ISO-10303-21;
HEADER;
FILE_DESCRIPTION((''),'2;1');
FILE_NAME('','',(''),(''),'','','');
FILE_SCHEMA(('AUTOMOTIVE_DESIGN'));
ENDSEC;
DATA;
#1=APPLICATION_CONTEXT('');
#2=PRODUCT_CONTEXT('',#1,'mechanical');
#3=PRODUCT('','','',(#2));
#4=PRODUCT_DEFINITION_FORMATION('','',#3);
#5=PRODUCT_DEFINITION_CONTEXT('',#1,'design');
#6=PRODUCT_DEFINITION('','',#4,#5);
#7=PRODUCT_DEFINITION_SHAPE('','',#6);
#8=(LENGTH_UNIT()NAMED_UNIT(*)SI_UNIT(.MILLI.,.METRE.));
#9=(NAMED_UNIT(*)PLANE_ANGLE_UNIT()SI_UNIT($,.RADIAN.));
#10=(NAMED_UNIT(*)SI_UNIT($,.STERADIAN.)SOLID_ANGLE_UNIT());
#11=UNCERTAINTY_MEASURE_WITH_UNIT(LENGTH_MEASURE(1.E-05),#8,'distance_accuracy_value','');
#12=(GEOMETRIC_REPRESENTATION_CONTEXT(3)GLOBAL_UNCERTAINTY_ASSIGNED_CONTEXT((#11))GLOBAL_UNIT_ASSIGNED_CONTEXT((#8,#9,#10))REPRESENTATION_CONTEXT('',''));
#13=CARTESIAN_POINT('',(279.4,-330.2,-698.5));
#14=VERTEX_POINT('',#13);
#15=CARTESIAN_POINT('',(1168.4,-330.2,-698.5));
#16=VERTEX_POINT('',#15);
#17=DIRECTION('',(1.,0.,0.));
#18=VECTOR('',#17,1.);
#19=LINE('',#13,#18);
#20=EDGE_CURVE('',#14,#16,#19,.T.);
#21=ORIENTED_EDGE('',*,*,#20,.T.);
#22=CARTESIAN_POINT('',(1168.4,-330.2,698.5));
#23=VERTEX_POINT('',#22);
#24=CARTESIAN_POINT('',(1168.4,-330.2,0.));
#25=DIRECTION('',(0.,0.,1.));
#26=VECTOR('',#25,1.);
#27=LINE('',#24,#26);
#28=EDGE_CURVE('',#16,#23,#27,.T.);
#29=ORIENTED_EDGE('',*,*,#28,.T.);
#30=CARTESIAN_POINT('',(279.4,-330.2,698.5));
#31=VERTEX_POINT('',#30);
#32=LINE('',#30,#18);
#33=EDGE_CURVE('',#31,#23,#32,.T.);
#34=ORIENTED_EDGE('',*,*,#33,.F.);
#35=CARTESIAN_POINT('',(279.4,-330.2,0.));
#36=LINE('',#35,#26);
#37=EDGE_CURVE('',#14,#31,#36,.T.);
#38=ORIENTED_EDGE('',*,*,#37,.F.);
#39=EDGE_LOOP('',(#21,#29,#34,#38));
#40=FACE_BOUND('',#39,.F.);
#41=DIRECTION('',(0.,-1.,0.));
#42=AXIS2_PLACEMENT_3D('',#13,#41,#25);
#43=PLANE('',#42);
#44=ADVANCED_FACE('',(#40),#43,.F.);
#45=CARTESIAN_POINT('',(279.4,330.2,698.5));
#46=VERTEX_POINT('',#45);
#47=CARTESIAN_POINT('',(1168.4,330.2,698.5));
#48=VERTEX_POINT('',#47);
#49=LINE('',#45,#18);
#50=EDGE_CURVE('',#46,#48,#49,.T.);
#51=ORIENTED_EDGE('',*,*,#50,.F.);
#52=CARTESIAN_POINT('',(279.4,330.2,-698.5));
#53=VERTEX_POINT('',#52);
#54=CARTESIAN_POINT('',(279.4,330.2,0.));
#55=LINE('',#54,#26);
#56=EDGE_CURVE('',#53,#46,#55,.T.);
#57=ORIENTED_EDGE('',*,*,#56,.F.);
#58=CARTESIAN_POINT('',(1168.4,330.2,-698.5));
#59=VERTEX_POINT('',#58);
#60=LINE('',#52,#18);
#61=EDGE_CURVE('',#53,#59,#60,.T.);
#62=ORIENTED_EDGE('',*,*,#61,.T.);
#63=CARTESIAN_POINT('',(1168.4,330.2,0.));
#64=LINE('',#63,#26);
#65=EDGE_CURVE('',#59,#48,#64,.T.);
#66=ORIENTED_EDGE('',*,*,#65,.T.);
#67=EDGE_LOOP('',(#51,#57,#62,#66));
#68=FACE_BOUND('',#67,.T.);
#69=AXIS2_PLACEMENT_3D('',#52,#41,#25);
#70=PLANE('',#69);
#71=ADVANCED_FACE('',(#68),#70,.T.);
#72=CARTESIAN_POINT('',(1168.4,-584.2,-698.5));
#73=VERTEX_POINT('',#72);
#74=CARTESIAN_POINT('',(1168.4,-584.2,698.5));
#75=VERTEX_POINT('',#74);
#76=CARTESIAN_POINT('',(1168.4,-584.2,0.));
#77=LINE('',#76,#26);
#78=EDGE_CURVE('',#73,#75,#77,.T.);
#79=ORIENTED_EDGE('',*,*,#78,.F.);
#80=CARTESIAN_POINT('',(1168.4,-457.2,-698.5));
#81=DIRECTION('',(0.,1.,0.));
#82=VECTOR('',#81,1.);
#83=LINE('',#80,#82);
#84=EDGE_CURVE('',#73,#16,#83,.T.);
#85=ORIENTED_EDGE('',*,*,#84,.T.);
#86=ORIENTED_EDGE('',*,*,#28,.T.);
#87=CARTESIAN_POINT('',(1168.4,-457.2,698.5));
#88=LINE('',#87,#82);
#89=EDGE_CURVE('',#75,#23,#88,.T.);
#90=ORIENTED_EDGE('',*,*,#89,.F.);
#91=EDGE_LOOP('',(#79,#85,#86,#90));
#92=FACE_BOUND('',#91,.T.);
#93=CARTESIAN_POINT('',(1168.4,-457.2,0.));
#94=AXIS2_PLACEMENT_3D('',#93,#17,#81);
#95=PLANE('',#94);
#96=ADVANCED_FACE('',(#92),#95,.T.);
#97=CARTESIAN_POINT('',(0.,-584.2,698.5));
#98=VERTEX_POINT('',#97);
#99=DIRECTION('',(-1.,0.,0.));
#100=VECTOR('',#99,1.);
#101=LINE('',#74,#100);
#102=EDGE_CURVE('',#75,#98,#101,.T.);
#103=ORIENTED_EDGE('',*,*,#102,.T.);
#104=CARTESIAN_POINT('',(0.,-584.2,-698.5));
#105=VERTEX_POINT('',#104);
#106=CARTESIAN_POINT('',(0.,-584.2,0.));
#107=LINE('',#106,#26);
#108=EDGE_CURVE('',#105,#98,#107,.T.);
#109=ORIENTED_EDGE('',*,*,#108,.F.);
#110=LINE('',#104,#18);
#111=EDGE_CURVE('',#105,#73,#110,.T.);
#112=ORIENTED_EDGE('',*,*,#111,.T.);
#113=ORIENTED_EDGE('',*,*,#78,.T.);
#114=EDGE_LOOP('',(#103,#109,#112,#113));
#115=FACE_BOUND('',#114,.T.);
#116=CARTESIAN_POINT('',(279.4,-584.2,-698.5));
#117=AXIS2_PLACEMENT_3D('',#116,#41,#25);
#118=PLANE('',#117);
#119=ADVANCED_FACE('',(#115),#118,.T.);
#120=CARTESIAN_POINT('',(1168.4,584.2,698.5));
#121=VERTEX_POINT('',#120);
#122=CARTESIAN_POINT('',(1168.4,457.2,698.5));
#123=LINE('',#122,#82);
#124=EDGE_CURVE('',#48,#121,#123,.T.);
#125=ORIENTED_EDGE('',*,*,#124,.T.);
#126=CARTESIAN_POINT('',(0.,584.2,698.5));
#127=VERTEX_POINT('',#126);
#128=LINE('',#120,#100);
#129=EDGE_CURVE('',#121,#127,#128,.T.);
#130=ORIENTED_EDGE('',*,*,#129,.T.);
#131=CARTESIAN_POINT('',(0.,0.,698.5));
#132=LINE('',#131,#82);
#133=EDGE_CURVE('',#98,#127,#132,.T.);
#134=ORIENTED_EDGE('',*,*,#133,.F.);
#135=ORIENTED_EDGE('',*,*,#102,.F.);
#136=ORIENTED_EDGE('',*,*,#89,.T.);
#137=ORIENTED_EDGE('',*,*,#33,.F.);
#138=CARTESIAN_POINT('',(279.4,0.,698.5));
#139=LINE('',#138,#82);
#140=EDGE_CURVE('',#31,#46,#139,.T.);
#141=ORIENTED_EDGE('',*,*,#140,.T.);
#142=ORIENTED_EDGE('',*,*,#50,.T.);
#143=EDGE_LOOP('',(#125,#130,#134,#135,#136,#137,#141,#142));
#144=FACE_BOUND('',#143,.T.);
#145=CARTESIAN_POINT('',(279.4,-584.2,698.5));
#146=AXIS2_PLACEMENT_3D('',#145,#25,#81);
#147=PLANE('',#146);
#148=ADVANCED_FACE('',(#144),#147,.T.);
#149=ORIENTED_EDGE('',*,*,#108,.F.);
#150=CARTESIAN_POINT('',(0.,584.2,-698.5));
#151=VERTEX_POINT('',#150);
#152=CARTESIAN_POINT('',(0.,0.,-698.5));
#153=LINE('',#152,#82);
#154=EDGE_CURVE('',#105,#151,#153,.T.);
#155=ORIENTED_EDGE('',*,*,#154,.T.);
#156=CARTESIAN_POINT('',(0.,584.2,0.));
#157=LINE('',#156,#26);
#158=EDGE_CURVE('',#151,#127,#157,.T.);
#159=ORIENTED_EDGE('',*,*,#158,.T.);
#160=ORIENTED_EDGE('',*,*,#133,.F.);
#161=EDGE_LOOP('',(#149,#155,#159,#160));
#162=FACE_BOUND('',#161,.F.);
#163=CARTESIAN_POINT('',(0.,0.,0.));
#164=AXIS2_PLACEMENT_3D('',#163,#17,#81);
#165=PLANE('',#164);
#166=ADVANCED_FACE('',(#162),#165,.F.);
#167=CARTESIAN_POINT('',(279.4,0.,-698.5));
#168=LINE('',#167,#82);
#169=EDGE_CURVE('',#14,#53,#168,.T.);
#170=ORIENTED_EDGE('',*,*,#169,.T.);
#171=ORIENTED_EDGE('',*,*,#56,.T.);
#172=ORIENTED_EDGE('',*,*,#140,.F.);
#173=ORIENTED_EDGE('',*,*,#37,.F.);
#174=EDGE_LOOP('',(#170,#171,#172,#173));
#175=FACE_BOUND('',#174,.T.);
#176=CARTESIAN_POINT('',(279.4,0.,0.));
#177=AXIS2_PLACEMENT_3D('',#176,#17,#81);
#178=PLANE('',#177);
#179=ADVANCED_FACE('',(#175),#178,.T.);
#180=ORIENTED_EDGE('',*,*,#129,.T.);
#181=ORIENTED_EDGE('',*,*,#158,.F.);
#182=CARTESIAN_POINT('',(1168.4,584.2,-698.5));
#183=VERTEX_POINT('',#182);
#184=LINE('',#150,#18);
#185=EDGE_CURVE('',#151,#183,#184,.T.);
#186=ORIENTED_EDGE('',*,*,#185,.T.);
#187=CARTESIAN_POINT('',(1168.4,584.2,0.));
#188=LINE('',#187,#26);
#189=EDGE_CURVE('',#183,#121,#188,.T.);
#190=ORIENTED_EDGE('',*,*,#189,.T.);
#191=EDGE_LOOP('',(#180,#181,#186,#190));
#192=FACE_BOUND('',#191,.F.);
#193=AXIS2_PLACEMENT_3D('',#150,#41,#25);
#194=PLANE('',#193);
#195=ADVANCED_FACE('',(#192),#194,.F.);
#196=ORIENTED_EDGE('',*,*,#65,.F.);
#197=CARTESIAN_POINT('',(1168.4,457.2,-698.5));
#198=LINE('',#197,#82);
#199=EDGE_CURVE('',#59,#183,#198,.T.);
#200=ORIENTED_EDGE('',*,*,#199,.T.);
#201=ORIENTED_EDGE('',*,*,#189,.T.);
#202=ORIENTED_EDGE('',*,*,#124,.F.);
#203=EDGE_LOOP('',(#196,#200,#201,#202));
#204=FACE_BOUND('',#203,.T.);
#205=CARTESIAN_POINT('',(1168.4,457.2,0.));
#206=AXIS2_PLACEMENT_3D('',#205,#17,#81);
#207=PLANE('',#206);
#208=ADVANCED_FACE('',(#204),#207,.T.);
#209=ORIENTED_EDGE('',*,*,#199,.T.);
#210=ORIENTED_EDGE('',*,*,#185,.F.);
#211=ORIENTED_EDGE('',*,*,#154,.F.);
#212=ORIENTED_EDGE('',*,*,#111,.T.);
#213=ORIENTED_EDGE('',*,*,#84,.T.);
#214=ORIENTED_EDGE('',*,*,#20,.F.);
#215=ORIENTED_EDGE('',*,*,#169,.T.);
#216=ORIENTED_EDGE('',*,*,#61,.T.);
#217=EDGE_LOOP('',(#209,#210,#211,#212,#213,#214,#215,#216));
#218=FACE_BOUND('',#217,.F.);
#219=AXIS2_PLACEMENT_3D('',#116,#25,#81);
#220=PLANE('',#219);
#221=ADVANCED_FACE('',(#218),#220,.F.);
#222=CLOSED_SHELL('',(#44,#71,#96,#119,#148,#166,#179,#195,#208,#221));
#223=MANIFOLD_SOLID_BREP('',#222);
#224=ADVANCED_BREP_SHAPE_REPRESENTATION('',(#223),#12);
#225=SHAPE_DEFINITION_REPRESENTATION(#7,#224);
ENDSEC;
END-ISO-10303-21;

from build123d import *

# Parameters (mm, degrees)
F0_W     = 1168.4
F0_H     = 1397
F1_DEPTH = 279.4
F2_W     = 254
F2_H     = 1397
F3_DEPTH = 889


with BuildPart() as f1:
    # F0 (on Right) → F1 (new body)
    with BuildSketch(Plane.YZ):
        Rectangle(F0_W, F0_H)
    extrude(amount=F1_DEPTH)

    # F2 (on face) → F3 (join)
    with BuildSketch(Plane.YZ.offset(279.4)):
        with Locations((-457.2, 0)):
            Rectangle(F2_W, F2_H)
        with Locations((457.2, 0)):
            Rectangle(F2_W, F2_H)
    extrude(amount=F3_DEPTH)


solid = f1.part
